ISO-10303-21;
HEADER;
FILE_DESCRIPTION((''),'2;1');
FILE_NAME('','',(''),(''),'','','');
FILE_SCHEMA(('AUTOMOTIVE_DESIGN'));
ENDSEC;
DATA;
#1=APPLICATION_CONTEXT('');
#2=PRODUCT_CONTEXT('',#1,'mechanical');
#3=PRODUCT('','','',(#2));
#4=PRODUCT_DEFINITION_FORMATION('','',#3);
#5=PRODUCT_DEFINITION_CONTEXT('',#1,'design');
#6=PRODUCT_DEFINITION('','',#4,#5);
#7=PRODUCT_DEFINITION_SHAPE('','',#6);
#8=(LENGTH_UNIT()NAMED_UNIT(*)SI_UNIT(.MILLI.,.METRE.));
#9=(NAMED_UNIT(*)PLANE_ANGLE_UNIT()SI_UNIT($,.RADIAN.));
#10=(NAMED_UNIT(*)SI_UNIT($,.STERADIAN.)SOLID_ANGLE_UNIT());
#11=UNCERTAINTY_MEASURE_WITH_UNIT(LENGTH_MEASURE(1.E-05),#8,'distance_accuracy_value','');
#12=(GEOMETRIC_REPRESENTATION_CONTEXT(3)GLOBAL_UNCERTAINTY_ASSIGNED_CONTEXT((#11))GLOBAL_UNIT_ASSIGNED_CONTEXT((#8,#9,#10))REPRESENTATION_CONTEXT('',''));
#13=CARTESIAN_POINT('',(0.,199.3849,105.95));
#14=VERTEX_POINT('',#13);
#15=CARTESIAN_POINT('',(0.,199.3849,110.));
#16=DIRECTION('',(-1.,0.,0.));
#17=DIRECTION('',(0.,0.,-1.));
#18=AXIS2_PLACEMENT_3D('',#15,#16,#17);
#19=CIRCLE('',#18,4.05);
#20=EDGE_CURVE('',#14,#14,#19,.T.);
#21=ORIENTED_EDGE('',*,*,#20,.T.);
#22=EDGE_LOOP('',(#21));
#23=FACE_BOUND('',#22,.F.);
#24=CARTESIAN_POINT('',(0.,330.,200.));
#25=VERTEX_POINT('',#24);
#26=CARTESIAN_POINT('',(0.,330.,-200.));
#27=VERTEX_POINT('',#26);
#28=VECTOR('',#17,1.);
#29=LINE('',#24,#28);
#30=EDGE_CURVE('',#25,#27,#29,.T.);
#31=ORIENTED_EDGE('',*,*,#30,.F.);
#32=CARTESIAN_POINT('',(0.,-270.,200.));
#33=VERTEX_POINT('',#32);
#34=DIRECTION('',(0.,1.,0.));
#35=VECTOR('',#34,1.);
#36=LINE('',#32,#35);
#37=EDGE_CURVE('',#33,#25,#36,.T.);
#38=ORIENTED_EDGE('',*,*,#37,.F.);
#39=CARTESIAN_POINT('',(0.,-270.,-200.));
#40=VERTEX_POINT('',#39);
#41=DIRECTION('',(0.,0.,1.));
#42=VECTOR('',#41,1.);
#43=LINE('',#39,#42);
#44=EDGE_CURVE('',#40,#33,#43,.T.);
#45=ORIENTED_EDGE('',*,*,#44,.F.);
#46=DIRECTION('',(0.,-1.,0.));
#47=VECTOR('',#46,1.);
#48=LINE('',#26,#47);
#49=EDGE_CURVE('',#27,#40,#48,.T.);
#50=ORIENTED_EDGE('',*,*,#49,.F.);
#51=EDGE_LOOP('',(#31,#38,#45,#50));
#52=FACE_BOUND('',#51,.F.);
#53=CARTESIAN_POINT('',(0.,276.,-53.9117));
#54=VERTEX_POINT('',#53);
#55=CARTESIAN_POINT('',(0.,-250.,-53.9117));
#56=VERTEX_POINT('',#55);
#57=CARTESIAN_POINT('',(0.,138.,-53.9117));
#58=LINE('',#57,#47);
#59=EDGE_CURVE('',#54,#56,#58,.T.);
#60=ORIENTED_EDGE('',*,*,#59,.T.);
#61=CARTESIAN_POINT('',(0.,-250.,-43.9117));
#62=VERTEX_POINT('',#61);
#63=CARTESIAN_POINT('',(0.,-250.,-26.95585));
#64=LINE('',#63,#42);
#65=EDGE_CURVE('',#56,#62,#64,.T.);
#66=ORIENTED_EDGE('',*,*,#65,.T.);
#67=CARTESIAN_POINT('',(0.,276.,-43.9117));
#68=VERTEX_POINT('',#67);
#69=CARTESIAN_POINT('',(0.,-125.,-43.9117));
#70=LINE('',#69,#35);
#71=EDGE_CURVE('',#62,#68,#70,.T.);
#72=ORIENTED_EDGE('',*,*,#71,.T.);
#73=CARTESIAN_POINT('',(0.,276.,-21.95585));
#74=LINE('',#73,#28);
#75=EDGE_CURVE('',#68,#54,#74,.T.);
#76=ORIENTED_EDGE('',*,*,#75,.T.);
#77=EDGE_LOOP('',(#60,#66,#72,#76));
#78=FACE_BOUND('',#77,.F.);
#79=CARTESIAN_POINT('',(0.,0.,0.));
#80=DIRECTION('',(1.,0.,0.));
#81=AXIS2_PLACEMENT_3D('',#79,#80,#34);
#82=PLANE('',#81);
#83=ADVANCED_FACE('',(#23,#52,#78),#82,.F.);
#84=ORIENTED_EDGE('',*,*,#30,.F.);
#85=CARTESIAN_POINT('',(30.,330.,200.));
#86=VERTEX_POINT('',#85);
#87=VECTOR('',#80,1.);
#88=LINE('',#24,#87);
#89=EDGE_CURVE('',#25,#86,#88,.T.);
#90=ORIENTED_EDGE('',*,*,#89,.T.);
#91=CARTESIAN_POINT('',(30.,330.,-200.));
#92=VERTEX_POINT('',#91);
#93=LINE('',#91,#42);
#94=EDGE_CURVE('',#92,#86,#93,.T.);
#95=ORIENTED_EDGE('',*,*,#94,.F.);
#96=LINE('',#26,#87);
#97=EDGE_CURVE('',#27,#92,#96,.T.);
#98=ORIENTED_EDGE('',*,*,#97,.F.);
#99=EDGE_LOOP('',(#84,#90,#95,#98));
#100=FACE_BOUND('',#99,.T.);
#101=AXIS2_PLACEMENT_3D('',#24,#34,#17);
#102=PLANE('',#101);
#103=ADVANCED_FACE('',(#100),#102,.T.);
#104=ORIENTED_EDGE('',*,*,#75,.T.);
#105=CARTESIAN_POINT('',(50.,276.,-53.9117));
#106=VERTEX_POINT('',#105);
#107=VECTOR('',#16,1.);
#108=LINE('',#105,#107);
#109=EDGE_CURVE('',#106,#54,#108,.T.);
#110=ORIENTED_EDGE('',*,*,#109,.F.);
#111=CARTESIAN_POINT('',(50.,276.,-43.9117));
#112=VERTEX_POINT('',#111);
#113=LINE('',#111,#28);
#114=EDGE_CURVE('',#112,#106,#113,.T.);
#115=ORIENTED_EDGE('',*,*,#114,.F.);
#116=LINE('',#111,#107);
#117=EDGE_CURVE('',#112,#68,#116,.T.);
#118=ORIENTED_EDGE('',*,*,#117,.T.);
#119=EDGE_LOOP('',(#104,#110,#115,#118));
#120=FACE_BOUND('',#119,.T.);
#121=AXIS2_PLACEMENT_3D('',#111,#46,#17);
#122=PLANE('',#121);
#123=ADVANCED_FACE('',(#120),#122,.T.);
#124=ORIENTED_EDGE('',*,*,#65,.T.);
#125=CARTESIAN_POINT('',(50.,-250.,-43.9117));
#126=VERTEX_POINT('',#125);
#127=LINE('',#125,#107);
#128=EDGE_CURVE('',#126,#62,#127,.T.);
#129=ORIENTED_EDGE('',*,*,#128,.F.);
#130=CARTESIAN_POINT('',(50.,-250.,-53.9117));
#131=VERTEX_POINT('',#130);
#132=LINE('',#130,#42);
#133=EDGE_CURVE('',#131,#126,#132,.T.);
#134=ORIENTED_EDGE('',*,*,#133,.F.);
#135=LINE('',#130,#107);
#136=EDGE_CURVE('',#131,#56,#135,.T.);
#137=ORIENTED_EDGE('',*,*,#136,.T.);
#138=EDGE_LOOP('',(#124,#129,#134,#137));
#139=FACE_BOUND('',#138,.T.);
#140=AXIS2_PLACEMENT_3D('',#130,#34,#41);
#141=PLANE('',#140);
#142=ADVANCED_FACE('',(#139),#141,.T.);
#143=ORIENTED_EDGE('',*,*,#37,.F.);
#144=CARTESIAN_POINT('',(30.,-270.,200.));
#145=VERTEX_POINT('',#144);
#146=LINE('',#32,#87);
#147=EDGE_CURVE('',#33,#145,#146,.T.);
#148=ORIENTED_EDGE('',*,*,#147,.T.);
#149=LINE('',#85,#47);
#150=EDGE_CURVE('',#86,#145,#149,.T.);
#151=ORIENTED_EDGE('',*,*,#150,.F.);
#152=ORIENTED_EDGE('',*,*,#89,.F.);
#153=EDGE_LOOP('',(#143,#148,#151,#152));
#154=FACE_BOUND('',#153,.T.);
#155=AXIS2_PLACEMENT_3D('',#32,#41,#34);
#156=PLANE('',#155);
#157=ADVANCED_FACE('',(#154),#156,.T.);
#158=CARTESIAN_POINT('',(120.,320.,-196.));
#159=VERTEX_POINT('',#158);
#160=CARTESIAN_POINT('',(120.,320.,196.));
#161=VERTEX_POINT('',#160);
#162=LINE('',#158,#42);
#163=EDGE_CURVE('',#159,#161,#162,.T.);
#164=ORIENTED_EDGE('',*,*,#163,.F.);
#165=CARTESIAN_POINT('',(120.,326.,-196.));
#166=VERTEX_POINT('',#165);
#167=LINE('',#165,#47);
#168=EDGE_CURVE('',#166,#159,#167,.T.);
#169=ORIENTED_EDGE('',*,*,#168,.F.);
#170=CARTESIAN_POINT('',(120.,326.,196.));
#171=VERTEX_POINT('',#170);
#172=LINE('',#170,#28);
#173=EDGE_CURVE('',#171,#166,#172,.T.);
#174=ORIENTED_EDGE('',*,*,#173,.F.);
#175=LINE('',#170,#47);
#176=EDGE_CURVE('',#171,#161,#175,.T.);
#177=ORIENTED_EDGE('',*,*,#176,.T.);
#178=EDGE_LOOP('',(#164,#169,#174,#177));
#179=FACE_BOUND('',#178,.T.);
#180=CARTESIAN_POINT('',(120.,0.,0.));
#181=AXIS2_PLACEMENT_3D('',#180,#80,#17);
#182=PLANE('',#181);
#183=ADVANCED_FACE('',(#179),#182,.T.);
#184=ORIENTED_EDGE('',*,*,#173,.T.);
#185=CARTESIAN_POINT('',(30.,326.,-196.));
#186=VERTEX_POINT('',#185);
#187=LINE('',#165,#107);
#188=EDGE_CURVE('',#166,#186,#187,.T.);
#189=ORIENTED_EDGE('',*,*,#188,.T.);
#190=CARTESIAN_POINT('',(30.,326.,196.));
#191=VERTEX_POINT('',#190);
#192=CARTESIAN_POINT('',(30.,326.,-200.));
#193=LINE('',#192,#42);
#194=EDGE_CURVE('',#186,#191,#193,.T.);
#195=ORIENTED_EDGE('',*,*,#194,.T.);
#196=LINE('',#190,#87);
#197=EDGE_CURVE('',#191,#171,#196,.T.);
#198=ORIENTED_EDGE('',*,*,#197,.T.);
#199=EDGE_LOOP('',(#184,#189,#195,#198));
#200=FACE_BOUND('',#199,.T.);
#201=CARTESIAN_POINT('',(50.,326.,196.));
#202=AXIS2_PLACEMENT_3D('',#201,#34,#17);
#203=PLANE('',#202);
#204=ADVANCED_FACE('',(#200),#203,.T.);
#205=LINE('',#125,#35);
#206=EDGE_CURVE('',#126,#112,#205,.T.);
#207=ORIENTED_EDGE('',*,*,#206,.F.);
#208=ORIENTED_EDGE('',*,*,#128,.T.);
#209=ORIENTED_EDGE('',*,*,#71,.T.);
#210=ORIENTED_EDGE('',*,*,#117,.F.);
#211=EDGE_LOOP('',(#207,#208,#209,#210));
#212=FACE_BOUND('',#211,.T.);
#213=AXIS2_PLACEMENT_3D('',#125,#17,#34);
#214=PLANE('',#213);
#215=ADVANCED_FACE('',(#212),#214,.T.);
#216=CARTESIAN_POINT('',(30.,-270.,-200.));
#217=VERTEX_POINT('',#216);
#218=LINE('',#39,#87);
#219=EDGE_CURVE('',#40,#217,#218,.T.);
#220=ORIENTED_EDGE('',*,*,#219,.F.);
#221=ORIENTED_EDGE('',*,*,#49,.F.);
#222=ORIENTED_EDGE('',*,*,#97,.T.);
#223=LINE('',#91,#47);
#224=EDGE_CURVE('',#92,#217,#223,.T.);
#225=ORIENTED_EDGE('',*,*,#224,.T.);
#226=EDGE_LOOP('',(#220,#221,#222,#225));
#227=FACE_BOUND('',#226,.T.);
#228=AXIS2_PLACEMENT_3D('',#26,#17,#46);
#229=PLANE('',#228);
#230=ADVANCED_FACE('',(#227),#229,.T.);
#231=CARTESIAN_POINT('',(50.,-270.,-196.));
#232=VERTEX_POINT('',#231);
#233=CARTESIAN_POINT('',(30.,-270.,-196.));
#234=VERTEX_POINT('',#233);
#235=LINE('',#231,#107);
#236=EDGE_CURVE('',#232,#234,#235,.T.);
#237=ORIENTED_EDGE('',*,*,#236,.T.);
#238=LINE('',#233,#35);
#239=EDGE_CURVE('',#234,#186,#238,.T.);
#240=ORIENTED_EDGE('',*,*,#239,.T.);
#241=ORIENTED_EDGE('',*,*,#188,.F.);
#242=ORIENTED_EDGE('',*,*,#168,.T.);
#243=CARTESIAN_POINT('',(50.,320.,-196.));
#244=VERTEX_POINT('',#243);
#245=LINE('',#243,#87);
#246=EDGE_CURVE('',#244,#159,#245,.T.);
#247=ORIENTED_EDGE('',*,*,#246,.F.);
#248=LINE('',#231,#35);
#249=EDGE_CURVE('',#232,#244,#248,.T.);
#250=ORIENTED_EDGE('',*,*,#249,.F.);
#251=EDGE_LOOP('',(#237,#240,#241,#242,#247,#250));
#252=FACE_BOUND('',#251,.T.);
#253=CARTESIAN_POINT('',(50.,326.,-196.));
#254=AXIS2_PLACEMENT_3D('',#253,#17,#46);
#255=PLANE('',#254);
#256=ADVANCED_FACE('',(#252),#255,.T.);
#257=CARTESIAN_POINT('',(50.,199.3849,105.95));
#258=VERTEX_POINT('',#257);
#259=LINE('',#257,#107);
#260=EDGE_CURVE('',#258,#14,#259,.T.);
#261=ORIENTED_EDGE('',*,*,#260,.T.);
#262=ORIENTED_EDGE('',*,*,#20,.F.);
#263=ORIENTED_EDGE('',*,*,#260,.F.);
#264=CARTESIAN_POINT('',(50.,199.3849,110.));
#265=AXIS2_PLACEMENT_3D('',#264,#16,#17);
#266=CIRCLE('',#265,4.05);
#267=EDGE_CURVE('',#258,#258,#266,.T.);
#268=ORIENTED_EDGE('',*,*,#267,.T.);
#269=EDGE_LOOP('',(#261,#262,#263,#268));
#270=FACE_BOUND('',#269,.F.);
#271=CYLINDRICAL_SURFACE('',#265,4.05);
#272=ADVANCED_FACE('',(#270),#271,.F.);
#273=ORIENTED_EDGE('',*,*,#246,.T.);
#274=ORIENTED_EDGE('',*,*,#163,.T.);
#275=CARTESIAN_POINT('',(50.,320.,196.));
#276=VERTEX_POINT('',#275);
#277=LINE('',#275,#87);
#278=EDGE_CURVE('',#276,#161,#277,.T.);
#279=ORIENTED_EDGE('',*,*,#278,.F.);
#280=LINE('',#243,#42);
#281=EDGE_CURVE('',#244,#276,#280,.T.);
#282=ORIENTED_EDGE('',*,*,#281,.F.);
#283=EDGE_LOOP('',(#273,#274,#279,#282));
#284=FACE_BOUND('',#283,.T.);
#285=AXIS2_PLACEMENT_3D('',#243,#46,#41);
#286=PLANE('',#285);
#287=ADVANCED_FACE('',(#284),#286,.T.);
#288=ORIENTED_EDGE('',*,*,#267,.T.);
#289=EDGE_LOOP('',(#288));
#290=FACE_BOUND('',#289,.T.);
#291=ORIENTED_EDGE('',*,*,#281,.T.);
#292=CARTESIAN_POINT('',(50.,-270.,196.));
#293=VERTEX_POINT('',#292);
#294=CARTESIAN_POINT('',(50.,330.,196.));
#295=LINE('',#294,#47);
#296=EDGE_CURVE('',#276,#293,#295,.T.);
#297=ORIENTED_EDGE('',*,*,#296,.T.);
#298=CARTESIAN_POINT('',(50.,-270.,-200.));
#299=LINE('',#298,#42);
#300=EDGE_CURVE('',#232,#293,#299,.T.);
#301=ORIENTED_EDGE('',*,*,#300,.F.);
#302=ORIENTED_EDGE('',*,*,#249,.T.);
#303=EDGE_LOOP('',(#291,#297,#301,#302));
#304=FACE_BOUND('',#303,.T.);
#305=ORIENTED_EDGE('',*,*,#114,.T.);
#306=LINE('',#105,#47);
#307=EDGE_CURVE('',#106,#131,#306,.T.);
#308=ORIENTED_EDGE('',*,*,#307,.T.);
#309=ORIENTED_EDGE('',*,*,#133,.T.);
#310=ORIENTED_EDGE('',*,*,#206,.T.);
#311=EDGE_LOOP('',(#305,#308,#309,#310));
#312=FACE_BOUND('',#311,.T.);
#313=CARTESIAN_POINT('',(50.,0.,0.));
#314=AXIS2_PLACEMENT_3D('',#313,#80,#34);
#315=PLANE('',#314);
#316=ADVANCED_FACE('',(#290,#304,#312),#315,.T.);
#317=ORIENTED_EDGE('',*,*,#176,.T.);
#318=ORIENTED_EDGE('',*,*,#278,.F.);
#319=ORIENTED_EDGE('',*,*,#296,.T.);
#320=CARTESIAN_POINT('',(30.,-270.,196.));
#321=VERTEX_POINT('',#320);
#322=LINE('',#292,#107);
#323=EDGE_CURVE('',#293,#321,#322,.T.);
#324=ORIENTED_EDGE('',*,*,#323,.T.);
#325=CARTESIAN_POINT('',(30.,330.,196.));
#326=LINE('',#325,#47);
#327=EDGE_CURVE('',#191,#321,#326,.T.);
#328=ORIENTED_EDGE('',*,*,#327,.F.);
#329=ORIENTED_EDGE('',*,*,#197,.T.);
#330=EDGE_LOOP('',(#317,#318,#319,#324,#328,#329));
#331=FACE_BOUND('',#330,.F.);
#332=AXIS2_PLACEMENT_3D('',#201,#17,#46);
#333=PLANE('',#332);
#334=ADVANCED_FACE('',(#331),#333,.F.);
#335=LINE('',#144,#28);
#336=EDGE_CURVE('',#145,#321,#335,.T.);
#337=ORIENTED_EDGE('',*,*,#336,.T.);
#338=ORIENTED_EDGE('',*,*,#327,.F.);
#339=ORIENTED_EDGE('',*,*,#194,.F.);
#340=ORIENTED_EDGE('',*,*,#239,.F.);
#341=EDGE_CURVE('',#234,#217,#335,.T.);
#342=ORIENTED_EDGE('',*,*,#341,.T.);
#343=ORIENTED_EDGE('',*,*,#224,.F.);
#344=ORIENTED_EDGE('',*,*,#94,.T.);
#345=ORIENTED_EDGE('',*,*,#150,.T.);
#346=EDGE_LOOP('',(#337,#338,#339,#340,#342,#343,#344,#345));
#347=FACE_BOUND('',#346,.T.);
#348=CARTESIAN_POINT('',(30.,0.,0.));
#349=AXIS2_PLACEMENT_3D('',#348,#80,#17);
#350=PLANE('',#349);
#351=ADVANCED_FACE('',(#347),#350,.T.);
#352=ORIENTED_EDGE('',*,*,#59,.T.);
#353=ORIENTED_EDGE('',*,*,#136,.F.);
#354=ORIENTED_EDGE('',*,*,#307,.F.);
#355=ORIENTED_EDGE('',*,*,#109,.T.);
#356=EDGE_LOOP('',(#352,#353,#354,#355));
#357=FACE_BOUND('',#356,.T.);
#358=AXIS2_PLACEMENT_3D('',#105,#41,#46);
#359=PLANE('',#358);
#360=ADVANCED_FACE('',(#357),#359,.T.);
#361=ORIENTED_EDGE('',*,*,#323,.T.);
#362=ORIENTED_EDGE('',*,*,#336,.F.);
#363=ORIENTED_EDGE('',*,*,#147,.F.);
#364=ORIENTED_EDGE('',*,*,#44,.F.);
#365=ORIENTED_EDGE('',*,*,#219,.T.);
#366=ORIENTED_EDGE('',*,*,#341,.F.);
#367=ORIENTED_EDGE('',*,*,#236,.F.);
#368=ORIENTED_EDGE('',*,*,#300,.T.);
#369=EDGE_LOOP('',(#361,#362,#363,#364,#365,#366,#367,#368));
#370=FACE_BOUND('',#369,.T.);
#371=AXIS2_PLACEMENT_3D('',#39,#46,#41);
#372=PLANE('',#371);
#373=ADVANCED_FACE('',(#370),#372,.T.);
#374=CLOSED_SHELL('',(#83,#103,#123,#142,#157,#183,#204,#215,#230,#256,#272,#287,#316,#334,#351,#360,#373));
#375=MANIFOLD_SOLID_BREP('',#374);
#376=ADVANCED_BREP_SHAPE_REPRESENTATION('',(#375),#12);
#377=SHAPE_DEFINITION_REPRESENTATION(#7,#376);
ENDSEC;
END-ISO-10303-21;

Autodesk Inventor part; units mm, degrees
ref_plane "YZ Plane" through (0, 0, 0) normal (1, 0, 0) x (0, 1, 0)
ref_plane "XZ Plane" through (0, 0, 0) normal (0, 1, 0) x (-1, 0, 0)
ref_plane "XY Plane" through (0, 0, 0) normal (0, 0, 1) x (1, 0, 0)
sketch "Эскиз1" plane through (0, 0, 0) normal (1, 0, 0) x (0, 1, 0)
  line L0 (-270, 200) -> (330, 200)
  line L1 (330, 200) -> (330, -200)
  line L2 (330, -200) -> (-270, -200)
  line L3 (-270, -200) -> (-270, 200)
  line L4 (-270, 200) -> (330, -200) construction
  line L5 (330, 200) -> (-270, -200) construction
  point P0 (30, 0)
  point P1 (0, 0)
  dimension "d0" = 400
  dimension "d1" = 600
  dimension "d73" = 30
extrude "Выдавливание1" add sketch "Эскиз1" along normal blind 50
sketch "Эскиз3" plane through (50, 0, 0) normal (1, 0, 0) x (0, 0, -1)
  line L0 (-200, 330) -> (-200, -270) projected
  line L1 (-200, -270) -> (200, -270) projected
  line L2 (-200, 330) -> (-196, 330)
  line L3 (-196, 330) -> (-196, -270)
  line L4 (-196, -270) -> (-200, -270)
  line L5 (-200, -270) -> (-200, 330)
  line L6 (200, 330) -> (-200, 330) projected
  line L7 (200, -270) -> (196, -270)
  line L8 (196, -270) -> (196, 330)
  line L9 (196, 330) -> (200, 330)
  line L10 (200, 330) -> (200, -270)
  line L11 (200, -270) -> (200, 330) projected
  line L12 (-200, 330) -> (200, 330)
  line L13 (200, 330) -> (200, 326)
  line L14 (200, 326) -> (-200, 326)
  line L15 (-200, 326) -> (-200, 330)
  point P0 (0, 0)
  point P1 (-196, 326)
  point P2 (196, 326)
  dimension "d74" = 4
  dimension "d75" = 4
  dimension "d76" = 4
extrude "Выдавливание3" cut sketch "Эскиз3" against normal blind 20 contours L2 L3 L14 L0 | L14 L3 L1 L0 | L6 L8 L14 L3 | L6 L10 L14 L8 | L14 L10 L1 L8
sketch "Эскиз4" plane through (50, 0, 0) normal (1, 0, 0) x (0, 0, -1)
  line L0 (68.9117, -237) -> (68.9117, -247) construction
  line L1 (38.9117, -237) -> (38.9117, -247) construction
  line L2 (58.9117, -237) -> (58.9117, -247) construction
  line L3 (58.9117, -237) -> (68.9117, -237) construction
  line L4 (68.9117, -247) -> (58.9117, -247) construction
  line L5 (68.9117, -247) -> (88.9117, -247) construction
  line L6 (88.9117, -237) -> (68.9117, -237) construction
  line L7 (88.9117, -247) -> (88.9117, -237) construction
  line L8 (98.9117, -237) -> (98.9117, -247) construction
  line L9 (88.9117, -237) -> (98.9117, -237) construction
  line L10 (98.9117, -247) -> (88.9117, -247) construction
  line L11 (38.9117, -247) -> (28.9117, -247) construction
  line L12 (28.9117, -237) -> (38.9117, -237) construction
  line L13 (28.9117, -247) -> (28.9117, -237) construction
  line L14 (28.9117, -237) -> (8.9117, -237) construction
  line L15 (28.9117, -247) -> (28.9117, -237) construction
  line L16 (28.9117, -237) -> (8.9117, -237) construction
  line L17 (8.9117, -237) -> (8.9117, -247) construction
  line L18 (8.9117, -247) -> (28.9117, -247) construction
  line L19 (-1.0883, -237) -> (8.9117, -237) construction
  line L20 (-1.0883, -237) -> (-1.0883, -247) construction
  line L21 (8.9117, -247) -> (-1.0883, -247) construction
  line L22 (8.9117, -237) -> (8.9117, -247) construction
  line L23 (53.9117, -250) -> (43.9117, -250)
  line L24 (43.9117, -250) -> (43.9117, 276)
  line L25 (43.9117, 276) -> (53.9117, 276)
  line L26 (53.9117, 276) -> (53.9117, -250)
  line L27 (196, 326) -> (-196, 326) projected
  line L28 (-196, -270) -> (196, -270) projected
  point P0 (0, 0)
  dimension "d80" = 15
  dimension "d81" = 15
  dimension "d82" = 50
  dimension "d83" = 20
extrude "Выдавливание4" cut sketch "Эскиз4" against normal blind 60
sketch "Эскиз5" plane through (50, 0, 0) normal (1, 0, 0) x (0, 0, -1)
  line L0 (-89.8865, 149.6936) -> (-99.7391, 147.983) projected
  line L1 (-99.7391, 147.983) -> (-100.4234, 151.9241) projected
  line L2 (-100.4234, 151.9241) -> (-90.5708, 153.6347) projected
  line L3 (-90.5708, 153.6347) -> (-89.8865, 149.6936) projected
  line L4 (-132.1786, 222.6367) -> (-133.7515, 226.3145) projected
  line L5 (-133.7515, 226.3145) -> (-124.5571, 230.2467) projected
  line L6 (-124.5571, 230.2467) -> (-122.9842, 226.5689) projected
  line L7 (-122.9842, 226.5689) -> (-132.1786, 222.6367) projected
  line L8 (-109.4825, 186.8162) -> (-109.4497, 190.8161) projected
  line L9 (-109.4497, 190.8161) -> (-99.45, 190.734) projected
  line L10 (-99.45, 190.734) -> (-99.4828, 186.7341) projected
  line L11 (-99.4828, 186.7341) -> (-109.4825, 186.8162) projected
  line L12 (-101.3444, 227.5816) -> (-102.6741, 223.8091) projected
  line L13 (-102.6741, 223.8091) -> (-112.1054, 227.1332) projected
  line L14 (-112.1054, 227.1332) -> (-110.7758, 230.9058) projected
  line L15 (-110.7758, 230.9058) -> (-101.3444, 227.5816) projected
  line L16 (-121.5737, 151.067) -> (-130.5132, 155.5487) projected
  line L17 (-130.5132, 155.5487) -> (-128.7205, 159.1245) projected
  line L18 (-128.7205, 159.1245) -> (-119.781, 154.6428) projected
  line L19 (-119.781, 154.6428) -> (-121.5737, 151.067) projected
  line L20 (-73.3529, 162.3525) -> (-66.0686, 169.2037) projected
  line L21 (-66.0686, 169.2037) -> (-63.3281, 166.29) projected
  line L22 (-63.3281, 166.29) -> (-70.6124, 159.4388) projected
  line L23 (-70.6124, 159.4388) -> (-73.3529, 162.3525) projected
  line L24 (-146.4475, 202.9259) -> (-150.1162, 204.5198) projected
  line L25 (-150.1162, 204.5198) -> (-146.1314, 213.6916) projected
  line L26 (-146.1314, 213.6916) -> (-142.4627, 212.0976) projected
  line L27 (-142.4627, 212.0976) -> (-146.4475, 202.9259) projected
  line L28 (-88.6954, 198.226) -> (-94.2983, 189.943) projected
  line L29 (-94.2983, 189.943) -> (-97.6115, 192.1842) projected
  line L30 (-97.6115, 192.1842) -> (-92.0086, 200.4671) projected
  line L31 (-92.0086, 200.4671) -> (-88.6954, 198.226) projected
  line L32 (-87.8306, 208.7569) -> (-91.5842, 207.3746) projected
  line L33 (-91.5842, 207.3746) -> (-95.04, 216.7585) projected
  line L34 (-95.04, 216.7585) -> (-91.2865, 218.1408) projected
  line L35 (-91.2865, 218.1408) -> (-87.8306, 208.7569) projected
  line L36 (-142.6786, 173.9561) -> (-146.3858, 172.4539) projected
  line L37 (-146.3858, 172.4539) -> (-150.1413, 181.7219) projected
  line L38 (-150.1413, 181.7219) -> (-146.434, 183.2241) projected
  line L39 (-146.434, 183.2241) -> (-142.6786, 173.9561) projected
  line L40 (-57.2, 186.602) -> (-55.7515, 196.4965) projected
  line L41 (-55.7515, 196.4965) -> (-51.7937, 195.9171) projected
  line L42 (-51.7937, 195.9171) -> (-53.2422, 186.0226) projected
  line L43 (-53.2422, 186.0226) -> (-57.2, 186.602) projected
  circle A0 centre (-110, 199.3849) radius 60 projected
  point P0 (0, 0)
hole "Отверстие1" at (50, 199.3849, 110) direction (-1, 0, 0) diameter 8.1 depth 80
sketch "Эскиз6" plane through (50, 0, 0) normal (1, 0, 0) x (0, 0, -1)
  line L0 (-196, 326) -> (-196, -270) projected
  line L1 (-196, 326) -> (196, 326)
  line L2 (196, 326) -> (196, 320)
  line L3 (196, 320) -> (-196, 320)
  line L4 (-196, 320) -> (-196, 326)
  point P0 (0, 0)
  dimension "d93" = 6
  dimension "d94" = 392
extrude "Выдавливание5" add sketch "Эскиз6" along normal blind 70
properties part number "Общий концепт в 3д"
